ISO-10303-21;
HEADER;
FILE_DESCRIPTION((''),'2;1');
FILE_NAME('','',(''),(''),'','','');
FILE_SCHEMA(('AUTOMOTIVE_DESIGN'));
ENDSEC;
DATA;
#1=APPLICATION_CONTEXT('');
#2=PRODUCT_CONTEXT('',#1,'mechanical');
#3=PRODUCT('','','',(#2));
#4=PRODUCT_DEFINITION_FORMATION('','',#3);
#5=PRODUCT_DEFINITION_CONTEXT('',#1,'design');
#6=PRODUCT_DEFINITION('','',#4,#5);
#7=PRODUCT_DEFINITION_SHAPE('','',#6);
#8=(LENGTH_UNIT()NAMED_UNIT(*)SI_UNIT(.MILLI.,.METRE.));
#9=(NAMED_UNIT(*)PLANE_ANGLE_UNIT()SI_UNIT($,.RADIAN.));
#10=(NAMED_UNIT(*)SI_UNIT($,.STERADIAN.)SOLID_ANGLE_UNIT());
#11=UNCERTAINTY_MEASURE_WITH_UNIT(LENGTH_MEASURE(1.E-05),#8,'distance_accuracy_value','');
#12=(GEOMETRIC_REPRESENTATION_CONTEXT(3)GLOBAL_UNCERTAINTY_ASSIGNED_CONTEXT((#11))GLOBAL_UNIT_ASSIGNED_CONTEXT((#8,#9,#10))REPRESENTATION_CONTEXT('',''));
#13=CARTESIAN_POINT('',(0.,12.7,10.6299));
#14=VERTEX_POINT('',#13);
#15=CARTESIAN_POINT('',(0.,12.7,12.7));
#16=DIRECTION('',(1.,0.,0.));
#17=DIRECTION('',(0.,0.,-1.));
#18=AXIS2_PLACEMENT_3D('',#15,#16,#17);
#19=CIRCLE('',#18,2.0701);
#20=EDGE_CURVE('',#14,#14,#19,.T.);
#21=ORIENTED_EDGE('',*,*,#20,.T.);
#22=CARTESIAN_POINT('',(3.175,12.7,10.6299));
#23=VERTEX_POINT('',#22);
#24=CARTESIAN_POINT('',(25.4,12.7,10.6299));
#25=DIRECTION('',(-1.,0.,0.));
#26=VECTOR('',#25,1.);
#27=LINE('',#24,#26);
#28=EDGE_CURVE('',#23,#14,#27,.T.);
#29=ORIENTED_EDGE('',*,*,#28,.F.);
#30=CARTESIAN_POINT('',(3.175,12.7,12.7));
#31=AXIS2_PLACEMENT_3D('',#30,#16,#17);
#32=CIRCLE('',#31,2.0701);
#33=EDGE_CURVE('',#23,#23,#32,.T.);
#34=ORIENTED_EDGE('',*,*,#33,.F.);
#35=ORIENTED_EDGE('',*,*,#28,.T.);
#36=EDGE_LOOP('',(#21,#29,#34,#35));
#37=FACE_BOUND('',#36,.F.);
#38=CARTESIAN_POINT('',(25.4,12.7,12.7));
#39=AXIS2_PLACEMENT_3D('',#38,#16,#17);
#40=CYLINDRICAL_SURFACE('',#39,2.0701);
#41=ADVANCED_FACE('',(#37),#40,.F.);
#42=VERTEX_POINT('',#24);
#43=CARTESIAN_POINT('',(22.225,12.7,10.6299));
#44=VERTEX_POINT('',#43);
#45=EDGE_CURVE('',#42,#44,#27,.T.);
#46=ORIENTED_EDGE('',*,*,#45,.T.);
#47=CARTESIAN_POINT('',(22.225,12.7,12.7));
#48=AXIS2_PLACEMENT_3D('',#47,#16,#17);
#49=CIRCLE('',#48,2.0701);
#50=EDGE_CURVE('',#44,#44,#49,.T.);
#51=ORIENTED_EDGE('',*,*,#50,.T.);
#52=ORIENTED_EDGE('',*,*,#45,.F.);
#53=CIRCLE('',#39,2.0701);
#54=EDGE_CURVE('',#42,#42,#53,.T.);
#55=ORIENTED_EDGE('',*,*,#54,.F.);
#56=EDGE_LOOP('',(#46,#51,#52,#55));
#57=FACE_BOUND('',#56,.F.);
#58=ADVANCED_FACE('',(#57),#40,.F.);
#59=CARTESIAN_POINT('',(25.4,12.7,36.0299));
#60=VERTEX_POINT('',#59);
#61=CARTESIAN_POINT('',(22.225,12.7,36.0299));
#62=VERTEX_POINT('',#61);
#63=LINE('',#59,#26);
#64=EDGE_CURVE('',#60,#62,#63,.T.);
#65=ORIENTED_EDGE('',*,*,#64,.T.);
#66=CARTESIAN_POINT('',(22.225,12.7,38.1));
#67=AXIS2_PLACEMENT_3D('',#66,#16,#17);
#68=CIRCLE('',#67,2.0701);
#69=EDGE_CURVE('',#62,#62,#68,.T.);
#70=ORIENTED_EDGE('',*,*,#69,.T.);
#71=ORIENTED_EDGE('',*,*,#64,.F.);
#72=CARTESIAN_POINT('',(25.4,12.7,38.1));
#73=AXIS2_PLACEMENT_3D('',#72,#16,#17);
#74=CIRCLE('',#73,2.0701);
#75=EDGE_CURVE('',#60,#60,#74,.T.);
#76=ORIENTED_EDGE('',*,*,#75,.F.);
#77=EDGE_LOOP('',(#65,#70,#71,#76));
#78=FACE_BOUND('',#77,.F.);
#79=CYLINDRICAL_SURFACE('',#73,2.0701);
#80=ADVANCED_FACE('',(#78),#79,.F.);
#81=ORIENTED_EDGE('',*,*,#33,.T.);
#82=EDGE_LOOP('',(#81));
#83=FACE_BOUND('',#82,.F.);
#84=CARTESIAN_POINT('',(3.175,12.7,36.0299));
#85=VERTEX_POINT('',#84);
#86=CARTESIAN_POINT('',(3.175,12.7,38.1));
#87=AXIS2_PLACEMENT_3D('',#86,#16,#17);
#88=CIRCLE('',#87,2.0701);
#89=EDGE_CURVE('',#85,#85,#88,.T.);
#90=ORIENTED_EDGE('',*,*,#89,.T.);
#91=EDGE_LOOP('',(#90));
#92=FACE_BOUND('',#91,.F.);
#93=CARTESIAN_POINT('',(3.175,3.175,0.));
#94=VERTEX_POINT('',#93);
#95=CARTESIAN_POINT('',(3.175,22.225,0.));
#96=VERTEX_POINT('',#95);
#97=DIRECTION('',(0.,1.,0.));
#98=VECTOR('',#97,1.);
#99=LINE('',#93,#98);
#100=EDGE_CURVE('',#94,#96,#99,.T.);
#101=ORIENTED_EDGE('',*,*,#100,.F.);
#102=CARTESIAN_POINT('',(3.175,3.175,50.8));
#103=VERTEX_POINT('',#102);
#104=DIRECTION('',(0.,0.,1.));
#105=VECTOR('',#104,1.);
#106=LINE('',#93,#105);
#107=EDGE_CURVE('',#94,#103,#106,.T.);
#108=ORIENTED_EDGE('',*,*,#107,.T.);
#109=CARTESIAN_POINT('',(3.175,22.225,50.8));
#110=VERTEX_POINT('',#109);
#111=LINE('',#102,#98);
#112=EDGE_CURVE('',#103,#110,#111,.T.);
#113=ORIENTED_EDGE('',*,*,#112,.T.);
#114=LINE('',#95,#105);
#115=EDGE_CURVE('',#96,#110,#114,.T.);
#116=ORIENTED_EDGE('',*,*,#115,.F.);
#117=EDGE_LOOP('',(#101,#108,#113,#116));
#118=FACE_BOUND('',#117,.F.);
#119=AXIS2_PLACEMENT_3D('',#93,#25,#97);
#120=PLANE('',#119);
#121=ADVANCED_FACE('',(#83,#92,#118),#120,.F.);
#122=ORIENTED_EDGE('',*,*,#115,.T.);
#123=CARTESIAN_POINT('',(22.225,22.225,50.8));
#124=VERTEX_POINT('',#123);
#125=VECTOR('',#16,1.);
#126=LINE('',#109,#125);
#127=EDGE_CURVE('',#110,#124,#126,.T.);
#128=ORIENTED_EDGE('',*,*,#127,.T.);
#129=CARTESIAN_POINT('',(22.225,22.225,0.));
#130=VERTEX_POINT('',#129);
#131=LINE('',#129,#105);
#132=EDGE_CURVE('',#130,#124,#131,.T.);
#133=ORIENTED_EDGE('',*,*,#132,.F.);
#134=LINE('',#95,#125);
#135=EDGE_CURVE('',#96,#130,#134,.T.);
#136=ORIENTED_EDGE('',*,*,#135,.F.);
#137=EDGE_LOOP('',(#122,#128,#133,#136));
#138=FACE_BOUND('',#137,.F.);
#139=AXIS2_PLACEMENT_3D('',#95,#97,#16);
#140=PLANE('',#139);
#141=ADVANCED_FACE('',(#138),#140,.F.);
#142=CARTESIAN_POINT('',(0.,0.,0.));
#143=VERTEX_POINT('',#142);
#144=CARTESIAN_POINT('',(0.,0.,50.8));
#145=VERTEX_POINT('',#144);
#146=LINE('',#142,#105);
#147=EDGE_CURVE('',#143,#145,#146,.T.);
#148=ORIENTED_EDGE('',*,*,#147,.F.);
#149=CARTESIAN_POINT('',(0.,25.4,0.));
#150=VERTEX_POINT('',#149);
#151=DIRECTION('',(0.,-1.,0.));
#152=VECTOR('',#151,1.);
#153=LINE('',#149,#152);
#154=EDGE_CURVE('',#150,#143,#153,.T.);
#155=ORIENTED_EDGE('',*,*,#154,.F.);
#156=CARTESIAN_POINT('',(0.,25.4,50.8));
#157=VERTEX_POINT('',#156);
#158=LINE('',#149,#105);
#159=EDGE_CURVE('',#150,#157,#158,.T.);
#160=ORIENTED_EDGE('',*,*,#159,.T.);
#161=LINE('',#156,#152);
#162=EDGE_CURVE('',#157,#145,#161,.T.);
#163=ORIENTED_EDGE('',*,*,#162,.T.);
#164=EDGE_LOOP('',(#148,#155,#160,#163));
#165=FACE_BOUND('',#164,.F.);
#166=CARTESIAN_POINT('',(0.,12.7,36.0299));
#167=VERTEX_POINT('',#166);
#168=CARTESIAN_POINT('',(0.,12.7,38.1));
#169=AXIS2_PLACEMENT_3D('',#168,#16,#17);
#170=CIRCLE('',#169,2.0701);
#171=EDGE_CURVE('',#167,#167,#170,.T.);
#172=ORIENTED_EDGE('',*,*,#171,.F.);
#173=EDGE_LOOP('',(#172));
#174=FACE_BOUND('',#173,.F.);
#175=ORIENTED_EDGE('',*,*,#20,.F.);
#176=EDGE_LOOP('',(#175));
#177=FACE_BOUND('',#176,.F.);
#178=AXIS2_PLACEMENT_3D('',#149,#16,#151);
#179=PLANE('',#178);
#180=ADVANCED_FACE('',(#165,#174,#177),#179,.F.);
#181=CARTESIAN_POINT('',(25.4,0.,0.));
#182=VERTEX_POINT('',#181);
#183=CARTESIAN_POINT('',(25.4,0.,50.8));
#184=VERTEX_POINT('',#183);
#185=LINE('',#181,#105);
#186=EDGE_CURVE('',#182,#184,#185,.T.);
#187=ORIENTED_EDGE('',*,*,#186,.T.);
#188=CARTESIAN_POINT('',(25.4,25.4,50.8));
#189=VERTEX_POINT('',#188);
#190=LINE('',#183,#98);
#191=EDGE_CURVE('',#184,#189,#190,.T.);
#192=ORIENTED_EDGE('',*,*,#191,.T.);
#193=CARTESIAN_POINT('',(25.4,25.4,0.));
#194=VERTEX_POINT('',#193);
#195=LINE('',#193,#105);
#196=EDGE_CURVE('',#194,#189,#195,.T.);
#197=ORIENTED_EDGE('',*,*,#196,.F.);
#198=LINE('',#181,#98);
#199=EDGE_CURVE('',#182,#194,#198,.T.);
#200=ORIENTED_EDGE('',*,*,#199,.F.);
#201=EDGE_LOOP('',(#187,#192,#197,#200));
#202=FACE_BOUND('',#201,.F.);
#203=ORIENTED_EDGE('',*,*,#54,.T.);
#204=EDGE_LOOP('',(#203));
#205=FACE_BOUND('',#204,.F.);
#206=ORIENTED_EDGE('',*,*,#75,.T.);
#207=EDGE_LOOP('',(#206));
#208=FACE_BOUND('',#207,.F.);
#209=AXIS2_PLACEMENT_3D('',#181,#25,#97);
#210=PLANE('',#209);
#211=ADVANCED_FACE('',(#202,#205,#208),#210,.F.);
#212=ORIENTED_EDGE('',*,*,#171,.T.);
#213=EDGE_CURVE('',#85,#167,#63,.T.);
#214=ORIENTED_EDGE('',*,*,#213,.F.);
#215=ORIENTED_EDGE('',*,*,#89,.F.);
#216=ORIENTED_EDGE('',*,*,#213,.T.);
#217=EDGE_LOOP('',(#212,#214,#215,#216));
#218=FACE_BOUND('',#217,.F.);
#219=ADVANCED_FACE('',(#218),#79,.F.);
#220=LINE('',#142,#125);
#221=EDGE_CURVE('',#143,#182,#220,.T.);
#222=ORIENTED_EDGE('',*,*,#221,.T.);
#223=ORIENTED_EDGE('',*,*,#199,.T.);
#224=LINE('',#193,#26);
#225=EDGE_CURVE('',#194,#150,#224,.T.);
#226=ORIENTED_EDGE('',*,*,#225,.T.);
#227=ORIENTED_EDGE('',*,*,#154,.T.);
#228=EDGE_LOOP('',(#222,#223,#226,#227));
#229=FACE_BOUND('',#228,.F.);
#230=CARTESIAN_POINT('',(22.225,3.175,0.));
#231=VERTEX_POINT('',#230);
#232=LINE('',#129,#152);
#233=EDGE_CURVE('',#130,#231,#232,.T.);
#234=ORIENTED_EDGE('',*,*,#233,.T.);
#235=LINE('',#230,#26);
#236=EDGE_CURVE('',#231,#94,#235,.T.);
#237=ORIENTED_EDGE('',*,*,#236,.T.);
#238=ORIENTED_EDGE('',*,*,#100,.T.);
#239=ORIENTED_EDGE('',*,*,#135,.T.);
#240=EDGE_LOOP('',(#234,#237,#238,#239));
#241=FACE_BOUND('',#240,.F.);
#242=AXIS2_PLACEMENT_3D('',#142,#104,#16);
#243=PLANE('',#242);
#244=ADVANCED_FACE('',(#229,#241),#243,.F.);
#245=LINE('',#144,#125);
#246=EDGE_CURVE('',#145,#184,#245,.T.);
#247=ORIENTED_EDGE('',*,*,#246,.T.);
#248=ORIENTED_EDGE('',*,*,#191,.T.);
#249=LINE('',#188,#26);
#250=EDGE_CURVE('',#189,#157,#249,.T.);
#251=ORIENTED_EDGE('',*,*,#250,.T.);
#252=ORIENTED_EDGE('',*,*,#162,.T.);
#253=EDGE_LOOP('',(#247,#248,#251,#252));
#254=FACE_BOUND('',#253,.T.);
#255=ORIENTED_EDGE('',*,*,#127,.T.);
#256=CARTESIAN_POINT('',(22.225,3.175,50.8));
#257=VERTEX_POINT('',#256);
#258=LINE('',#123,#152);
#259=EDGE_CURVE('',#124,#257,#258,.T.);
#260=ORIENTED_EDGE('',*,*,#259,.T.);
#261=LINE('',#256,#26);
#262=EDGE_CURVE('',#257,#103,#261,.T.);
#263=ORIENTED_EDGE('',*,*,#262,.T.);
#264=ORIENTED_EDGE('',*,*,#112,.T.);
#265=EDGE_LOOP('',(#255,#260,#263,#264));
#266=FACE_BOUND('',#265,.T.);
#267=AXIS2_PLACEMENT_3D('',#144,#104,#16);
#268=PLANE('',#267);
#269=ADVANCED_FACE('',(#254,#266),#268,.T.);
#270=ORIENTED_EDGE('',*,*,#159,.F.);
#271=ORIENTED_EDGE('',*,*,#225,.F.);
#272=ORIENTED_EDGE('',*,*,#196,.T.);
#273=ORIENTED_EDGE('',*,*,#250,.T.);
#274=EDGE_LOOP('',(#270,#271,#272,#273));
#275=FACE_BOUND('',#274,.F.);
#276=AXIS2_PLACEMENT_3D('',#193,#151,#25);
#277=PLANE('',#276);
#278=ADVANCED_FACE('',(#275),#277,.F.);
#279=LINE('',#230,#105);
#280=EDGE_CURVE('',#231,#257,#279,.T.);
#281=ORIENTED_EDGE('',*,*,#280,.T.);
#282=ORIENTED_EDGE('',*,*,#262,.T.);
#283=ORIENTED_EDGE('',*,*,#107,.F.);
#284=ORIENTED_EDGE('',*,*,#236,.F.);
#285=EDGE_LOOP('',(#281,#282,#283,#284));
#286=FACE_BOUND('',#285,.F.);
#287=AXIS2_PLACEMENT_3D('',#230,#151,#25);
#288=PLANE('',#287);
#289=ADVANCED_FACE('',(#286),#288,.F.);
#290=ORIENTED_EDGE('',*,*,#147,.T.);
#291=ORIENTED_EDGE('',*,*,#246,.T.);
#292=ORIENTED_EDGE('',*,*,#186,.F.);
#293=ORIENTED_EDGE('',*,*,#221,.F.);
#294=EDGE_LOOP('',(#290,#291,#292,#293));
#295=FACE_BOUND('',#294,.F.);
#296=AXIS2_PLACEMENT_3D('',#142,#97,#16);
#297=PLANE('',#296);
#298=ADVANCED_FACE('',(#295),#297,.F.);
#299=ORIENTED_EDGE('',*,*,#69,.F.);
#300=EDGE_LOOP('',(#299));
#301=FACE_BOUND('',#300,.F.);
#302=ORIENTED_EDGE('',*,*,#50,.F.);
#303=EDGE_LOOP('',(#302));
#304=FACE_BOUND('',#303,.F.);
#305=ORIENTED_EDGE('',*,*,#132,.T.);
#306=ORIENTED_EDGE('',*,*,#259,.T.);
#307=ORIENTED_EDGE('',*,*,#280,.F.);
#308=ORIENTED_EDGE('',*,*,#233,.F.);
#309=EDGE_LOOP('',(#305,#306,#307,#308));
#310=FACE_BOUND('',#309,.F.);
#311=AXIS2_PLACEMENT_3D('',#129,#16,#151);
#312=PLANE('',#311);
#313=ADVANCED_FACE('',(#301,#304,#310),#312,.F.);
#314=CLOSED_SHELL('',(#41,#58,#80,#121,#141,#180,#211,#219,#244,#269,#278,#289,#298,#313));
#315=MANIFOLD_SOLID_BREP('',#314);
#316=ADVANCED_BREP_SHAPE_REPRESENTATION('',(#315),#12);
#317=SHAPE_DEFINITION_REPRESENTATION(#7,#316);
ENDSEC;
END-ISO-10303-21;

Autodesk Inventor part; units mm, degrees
ref_plane "YZ Plane" through (0, 0, 0) normal (1, 0, 0) x (0, 1, 0)
ref_plane "XZ Plane" through (0, 0, 0) normal (0, 1, 0) x (-1, 0, 0)
ref_plane "XY Plane" through (0, 0, 0) normal (0, 0, 1) x (1, 0, 0)
sketch "Sketch1" plane through (0, 0, 0) normal (0, 0, 1) x (1, 0, 0)
  line L0 (0, 0) -> (25.4, 0)
  line L1 (25.4, 0) -> (25.4, 25.4)
  line L2 (25.4, 25.4) -> (0, 25.4)
  line L3 (0, 25.4) -> (0, 0)
  line L4 (22.225, 3.175) -> (3.175, 3.175)
  line L5 (3.175, 3.175) -> (3.175, 22.225)
  line L6 (3.175, 22.225) -> (22.225, 22.225)
  line L7 (22.225, 22.225) -> (22.225, 3.175)
  dimension "d0" = 25.4
  dimension "d1" = 25.4
  dimension "d2" = 3.175
extrude "Extrusion1" add sketch "Sketch1" along normal blind 50.8
sketch "Sketch2" plane through (25.4, 0, 0) normal (1, 0, 0) x (0, 0, -1)
  line L0 (-50.8, 0) -> (-50.8, 25.4) projected
  line L1 (0, 0) -> (-50.8, 0) projected
  circle A0 centre (-38.1, 12.7) radius 2.0701
  circle A1 centre (-12.7, 12.7) radius 2.0701
  dimension "d5" = 4.1402
  dimension "d6" = 12.7
  dimension "d7" = 12.7
  dimension "d10" = 25.4
extrude "Extrusion2" cut sketch "Sketch2" against normal blind 50.8
properties part number "Clapper Hard Stop (2)"
